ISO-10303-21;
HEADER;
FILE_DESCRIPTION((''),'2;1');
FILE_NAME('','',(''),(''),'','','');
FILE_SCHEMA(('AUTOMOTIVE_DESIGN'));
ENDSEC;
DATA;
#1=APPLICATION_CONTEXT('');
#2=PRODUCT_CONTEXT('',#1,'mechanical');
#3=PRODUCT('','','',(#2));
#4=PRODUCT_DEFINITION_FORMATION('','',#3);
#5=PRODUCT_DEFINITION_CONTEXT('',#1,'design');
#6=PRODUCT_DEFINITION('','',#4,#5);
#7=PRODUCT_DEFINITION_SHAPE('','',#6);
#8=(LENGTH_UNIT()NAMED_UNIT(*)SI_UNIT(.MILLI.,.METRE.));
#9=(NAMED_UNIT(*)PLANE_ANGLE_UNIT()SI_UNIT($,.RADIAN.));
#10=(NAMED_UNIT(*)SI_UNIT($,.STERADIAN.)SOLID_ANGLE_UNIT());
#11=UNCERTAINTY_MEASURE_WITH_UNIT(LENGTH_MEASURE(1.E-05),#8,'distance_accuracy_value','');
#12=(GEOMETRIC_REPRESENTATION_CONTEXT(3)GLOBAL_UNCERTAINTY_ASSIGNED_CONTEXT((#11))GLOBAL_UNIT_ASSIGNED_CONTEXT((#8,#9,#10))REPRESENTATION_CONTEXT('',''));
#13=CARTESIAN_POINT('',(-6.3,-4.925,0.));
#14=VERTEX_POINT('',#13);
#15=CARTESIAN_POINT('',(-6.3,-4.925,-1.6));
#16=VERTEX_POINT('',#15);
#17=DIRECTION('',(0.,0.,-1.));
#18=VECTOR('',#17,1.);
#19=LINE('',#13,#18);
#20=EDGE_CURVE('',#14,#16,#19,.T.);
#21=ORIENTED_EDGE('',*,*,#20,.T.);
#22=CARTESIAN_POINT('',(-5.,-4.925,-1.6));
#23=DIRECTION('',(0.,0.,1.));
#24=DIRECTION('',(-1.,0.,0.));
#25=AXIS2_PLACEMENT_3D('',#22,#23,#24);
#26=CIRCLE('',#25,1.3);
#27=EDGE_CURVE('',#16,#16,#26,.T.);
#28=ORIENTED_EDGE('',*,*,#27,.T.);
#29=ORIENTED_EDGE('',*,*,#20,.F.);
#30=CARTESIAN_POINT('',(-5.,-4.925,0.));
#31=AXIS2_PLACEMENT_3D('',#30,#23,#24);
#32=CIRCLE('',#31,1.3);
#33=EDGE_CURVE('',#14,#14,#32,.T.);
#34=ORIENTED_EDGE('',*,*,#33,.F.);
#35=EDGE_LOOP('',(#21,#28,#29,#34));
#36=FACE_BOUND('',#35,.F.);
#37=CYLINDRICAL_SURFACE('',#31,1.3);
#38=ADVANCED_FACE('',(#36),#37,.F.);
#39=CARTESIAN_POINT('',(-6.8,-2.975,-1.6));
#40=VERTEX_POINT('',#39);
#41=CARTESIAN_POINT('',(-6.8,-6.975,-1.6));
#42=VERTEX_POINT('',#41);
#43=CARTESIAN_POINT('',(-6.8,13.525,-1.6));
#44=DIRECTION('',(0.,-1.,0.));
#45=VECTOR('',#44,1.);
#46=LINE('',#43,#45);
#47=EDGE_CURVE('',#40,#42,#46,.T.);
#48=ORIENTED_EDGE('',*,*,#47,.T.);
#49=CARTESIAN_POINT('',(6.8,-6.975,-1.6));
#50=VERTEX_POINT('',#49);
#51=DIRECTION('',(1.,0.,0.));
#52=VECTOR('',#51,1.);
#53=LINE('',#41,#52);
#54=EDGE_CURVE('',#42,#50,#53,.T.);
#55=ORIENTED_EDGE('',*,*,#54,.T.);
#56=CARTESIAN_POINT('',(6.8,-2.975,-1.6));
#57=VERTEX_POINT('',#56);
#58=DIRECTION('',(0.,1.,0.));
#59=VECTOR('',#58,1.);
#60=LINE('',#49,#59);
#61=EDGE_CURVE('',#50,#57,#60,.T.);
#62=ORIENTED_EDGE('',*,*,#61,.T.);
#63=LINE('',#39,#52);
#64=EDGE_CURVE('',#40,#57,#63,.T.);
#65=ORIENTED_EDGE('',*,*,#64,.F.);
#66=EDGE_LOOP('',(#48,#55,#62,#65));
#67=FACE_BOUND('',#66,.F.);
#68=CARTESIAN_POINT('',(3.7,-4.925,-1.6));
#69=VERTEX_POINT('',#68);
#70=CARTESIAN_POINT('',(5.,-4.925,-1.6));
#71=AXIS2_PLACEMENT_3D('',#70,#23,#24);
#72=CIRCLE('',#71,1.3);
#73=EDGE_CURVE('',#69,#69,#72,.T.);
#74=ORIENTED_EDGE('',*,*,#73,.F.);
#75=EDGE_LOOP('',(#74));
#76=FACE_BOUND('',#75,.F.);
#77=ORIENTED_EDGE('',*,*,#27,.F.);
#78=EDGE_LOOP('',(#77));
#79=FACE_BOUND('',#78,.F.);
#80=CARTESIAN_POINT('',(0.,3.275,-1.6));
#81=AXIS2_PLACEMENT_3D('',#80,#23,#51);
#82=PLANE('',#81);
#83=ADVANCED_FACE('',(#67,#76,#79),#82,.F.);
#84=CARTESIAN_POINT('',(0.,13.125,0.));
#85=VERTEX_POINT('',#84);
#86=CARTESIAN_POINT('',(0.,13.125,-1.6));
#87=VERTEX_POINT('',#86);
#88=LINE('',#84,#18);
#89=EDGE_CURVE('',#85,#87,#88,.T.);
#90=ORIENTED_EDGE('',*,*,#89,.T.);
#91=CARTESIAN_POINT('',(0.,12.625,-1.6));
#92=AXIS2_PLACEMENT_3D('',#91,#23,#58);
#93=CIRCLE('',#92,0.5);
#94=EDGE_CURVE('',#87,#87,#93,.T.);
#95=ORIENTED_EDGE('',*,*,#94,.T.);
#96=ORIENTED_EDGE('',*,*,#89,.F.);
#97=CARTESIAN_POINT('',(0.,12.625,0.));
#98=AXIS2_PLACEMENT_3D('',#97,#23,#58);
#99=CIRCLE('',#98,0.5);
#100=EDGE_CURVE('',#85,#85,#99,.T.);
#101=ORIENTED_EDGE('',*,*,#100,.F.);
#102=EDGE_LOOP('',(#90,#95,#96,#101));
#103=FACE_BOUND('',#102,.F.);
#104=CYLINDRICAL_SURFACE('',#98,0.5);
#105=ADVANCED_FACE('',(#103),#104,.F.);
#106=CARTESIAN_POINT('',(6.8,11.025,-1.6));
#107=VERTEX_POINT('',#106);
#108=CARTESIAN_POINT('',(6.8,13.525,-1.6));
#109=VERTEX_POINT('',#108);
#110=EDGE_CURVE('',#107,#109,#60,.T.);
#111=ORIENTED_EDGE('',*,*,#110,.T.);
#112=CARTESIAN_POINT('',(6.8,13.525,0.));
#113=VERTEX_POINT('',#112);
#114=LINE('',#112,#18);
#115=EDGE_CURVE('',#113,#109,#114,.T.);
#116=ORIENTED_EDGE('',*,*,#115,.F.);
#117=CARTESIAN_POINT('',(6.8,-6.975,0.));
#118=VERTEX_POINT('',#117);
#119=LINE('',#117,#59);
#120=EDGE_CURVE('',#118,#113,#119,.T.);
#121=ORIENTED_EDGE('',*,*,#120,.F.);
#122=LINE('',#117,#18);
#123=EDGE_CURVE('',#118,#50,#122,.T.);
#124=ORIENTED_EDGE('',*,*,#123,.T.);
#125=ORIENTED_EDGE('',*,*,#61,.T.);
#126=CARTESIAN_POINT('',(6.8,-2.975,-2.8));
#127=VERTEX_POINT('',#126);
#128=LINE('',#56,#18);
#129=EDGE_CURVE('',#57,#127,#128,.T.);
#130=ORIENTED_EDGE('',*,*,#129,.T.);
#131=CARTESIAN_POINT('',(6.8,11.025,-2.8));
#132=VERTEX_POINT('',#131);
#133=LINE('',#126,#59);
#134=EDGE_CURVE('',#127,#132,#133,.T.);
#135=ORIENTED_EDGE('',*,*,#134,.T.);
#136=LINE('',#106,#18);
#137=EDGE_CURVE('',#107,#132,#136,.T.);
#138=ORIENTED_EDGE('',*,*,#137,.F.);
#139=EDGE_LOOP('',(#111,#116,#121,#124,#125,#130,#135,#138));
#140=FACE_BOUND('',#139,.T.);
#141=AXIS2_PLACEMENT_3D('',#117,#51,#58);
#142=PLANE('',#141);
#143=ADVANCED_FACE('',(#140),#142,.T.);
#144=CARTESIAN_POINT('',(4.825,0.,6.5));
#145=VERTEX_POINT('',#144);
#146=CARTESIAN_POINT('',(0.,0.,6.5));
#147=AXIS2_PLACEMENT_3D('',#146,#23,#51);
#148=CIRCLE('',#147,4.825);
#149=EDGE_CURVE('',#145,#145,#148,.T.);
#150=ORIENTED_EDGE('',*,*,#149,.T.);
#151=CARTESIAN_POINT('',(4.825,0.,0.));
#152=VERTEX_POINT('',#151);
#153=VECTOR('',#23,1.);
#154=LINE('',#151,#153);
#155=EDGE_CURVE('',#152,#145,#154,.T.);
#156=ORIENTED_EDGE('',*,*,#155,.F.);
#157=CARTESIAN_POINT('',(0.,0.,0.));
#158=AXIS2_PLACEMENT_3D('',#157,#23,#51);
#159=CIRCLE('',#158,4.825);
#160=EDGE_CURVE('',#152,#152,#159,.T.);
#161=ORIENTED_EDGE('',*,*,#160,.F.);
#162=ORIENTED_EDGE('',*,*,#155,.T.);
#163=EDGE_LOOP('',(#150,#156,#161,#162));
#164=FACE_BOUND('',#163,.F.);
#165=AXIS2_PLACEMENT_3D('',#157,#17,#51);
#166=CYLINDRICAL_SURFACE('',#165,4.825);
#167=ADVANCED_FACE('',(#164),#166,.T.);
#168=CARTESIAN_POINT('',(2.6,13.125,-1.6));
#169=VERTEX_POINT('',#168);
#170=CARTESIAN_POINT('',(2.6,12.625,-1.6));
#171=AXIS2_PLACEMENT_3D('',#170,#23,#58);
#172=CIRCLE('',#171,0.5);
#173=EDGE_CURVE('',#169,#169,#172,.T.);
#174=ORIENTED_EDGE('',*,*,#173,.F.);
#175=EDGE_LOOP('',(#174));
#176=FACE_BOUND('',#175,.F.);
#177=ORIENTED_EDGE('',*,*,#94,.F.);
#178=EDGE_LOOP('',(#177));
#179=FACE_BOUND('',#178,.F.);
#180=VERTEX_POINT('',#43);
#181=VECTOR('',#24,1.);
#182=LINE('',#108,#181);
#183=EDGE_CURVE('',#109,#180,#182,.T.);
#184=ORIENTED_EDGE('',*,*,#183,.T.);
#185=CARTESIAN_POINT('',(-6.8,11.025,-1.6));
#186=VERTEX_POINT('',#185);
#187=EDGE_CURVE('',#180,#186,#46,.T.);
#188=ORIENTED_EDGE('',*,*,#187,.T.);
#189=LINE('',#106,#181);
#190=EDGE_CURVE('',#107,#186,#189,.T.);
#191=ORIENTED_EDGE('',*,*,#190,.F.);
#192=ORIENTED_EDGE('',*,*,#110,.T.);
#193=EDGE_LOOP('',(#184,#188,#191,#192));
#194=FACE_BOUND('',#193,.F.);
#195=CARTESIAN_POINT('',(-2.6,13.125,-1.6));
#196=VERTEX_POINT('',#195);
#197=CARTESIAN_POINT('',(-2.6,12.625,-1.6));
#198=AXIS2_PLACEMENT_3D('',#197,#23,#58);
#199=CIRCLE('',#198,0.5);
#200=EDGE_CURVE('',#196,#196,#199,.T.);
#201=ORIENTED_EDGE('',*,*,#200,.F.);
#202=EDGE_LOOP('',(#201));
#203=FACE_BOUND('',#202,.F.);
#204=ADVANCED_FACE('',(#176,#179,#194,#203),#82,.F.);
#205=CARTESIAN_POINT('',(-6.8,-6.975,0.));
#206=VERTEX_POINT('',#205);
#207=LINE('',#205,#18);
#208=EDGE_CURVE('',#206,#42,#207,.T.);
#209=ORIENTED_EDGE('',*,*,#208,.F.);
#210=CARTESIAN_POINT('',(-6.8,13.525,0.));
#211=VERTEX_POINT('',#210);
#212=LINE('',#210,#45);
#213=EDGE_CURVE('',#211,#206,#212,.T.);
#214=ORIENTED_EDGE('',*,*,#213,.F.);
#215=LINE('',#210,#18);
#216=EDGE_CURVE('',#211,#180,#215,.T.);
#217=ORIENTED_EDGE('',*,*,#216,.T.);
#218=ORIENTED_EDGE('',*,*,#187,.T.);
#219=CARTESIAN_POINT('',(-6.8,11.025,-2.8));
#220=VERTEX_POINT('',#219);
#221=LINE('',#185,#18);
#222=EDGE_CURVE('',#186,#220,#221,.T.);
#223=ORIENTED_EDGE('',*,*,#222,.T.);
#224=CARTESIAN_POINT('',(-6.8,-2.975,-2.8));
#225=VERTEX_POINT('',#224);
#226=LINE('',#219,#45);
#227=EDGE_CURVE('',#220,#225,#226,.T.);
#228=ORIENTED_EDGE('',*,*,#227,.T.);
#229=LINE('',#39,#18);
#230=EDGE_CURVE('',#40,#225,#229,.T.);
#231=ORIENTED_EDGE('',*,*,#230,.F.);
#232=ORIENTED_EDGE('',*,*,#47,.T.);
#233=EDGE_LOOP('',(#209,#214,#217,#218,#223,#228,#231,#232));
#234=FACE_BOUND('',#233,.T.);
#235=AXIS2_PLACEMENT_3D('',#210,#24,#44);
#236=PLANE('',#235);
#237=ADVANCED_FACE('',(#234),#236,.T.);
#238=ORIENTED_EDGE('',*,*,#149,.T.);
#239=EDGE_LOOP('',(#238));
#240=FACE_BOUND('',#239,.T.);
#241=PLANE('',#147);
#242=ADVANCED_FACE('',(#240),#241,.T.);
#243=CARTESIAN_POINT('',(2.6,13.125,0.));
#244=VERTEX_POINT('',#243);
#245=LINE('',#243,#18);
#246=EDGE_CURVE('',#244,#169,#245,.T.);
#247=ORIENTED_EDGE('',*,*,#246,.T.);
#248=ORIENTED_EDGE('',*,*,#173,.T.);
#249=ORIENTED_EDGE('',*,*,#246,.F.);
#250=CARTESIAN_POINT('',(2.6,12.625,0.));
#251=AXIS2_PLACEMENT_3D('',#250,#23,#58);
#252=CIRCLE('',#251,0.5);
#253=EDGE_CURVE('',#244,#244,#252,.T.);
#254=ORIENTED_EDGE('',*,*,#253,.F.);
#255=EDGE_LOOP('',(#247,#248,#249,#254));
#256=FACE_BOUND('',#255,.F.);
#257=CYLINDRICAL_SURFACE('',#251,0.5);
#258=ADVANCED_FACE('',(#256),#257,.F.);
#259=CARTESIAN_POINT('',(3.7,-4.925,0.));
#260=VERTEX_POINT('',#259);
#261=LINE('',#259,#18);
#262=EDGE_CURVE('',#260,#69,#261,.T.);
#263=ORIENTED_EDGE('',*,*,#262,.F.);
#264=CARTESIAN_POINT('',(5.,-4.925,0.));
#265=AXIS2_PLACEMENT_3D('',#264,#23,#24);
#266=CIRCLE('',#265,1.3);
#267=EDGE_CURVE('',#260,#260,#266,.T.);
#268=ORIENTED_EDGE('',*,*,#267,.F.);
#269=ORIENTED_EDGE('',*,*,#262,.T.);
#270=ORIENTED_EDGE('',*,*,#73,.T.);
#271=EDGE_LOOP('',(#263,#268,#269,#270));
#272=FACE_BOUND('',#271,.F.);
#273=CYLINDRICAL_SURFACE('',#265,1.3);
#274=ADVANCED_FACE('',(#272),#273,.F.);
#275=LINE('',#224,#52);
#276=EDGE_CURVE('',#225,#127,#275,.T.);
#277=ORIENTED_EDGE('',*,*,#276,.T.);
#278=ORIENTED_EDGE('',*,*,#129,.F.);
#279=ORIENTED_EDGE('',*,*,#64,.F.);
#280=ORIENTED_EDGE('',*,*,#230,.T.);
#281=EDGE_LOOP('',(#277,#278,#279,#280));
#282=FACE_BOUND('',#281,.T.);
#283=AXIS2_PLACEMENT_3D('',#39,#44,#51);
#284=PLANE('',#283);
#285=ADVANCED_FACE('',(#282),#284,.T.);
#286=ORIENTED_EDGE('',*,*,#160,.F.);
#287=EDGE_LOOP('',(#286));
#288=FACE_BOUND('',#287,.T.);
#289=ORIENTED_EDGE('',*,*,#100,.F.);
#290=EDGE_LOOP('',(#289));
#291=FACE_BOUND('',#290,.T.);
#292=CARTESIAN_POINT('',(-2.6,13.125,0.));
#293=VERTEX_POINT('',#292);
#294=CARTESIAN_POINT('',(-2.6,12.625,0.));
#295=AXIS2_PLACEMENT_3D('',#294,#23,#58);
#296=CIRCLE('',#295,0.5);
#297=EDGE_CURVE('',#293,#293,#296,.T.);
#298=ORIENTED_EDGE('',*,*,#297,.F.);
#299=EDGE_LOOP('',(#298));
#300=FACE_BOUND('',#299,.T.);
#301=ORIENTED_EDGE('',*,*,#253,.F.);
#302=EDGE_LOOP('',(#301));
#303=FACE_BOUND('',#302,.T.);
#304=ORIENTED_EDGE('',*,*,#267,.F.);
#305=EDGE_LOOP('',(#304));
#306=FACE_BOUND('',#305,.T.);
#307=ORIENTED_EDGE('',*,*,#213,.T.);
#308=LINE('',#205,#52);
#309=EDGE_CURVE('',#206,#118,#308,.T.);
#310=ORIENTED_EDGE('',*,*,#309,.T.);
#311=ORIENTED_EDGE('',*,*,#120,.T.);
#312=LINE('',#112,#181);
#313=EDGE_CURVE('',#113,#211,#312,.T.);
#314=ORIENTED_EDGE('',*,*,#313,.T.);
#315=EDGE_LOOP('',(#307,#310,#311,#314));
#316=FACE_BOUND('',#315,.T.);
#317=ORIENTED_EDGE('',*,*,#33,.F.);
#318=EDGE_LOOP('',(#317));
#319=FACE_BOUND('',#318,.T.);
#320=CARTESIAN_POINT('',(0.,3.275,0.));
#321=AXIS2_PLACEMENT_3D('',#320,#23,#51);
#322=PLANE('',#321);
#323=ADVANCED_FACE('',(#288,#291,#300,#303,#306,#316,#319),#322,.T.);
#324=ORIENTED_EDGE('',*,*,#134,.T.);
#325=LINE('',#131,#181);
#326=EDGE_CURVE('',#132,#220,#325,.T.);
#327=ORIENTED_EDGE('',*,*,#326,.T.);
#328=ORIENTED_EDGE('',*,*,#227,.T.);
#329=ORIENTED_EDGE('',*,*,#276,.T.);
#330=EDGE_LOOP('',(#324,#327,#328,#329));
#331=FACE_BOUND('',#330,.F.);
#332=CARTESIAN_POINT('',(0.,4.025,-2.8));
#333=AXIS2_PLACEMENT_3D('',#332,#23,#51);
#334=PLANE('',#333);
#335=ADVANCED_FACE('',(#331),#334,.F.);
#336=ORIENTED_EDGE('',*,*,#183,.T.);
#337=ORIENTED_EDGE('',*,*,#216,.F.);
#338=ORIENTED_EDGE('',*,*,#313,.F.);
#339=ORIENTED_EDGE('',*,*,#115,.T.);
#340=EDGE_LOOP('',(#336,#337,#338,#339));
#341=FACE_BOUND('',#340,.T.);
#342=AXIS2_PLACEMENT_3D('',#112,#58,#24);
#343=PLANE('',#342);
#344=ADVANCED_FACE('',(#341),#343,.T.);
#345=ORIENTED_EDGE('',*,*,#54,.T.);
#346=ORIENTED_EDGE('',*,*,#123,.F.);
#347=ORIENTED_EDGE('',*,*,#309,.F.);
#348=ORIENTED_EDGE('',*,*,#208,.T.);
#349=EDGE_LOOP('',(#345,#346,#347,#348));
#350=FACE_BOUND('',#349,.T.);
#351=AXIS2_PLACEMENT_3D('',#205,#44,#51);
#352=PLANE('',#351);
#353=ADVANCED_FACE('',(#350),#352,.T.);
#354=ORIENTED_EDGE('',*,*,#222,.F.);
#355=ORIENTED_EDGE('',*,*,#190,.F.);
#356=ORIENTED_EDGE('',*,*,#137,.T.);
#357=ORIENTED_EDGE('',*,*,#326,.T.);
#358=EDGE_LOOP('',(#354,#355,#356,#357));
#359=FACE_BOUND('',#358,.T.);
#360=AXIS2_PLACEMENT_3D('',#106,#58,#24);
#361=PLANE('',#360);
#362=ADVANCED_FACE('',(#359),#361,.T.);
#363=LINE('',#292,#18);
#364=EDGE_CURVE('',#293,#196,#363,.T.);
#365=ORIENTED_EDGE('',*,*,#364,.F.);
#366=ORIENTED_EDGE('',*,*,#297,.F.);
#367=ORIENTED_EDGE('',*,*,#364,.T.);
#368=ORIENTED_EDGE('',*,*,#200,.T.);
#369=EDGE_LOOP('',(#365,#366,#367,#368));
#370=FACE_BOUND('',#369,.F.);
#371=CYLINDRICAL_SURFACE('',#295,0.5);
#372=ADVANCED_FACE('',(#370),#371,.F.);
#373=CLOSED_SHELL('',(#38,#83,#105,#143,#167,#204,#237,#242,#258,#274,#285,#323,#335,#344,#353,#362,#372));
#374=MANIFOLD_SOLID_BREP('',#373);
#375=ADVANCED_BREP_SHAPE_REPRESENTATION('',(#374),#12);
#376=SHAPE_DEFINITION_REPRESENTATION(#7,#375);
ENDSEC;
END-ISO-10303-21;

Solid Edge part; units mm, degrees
sketch "Sketch1" plane through (0, 0, 0) normal (0, 0, 1) x (1, 0, 0)
  circle A0 centre (0, 0) radius 4.825
  dimension "D1" = 9.65
extrude "Protrusion1" add sketch "Sketch1" along normal blind 6.5
sketch "Sketch2" plane through (0, 0, 0) normal (0, 0, -1) x (1, 0, 0)
  line L0 (-6.8, 6.975) -> (6.8, 6.975)
  line L1 (6.8, 6.975) -> (6.8, -13.525)
  line L2 (6.8, -13.525) -> (-6.8, -13.525)
  line L3 (-6.8, -13.525) -> (-6.8, 6.975)
  dimension "D1" = 13.6
  dimension "D2" = 20.5
  dimension "D3" = 11.8
extrude "base" add sketch "Sketch2" along normal blind 1.6
sketch "Sketch3" plane through (0, 3.275, 0) normal (0, 0, 1) x (0, 1, 0)
  circle A0 centre (9.35, 2.6) radius 0.5
  circle A1 centre (9.35, 0) radius 0.5
  circle A2 centre (9.35, -2.6) radius 0.5
  dimension "D1" = 1
  dimension "D2" = 2.6
  dimension "D3" = 0.9
extrude "Cutout1" cut sketch "Sketch3" against normal through all
sketch "Sketch4" plane through (0, 3.275, 0) normal (0, 0, 1) x (-1, 0, 0)
  circle A0 centre (5, 8.2) radius 1.3
  circle A1 centre (-5, 8.2) radius 1.3
  dimension "D1" = 2.6
  dimension "D2" = 0.5
  dimension "D3" = 0.75
  dimension "D4" = 0.5
  dimension "D5" = 0.75
extrude "Cutout2" cut sketch "Sketch4" against normal through all
sketch "Sketch5" plane through (0, 3.275, -1.6) normal (0, 0, -1) x (1, 0, 0)
  line L0 (-6.8, 6.25) -> (6.8, 6.25)
  line L1 (6.8, 6.25) -> (6.8, -7.75)
  line L2 (6.8, -7.75) -> (-6.8, -7.75)
  line L3 (-6.8, -7.75) -> (-6.8, 6.25)
  dimension "D1" = 2.5
  dimension "D2" = 4
extrude "Extrusionsausprägung_3" add sketch "Sketch5" along normal blind 1.2
